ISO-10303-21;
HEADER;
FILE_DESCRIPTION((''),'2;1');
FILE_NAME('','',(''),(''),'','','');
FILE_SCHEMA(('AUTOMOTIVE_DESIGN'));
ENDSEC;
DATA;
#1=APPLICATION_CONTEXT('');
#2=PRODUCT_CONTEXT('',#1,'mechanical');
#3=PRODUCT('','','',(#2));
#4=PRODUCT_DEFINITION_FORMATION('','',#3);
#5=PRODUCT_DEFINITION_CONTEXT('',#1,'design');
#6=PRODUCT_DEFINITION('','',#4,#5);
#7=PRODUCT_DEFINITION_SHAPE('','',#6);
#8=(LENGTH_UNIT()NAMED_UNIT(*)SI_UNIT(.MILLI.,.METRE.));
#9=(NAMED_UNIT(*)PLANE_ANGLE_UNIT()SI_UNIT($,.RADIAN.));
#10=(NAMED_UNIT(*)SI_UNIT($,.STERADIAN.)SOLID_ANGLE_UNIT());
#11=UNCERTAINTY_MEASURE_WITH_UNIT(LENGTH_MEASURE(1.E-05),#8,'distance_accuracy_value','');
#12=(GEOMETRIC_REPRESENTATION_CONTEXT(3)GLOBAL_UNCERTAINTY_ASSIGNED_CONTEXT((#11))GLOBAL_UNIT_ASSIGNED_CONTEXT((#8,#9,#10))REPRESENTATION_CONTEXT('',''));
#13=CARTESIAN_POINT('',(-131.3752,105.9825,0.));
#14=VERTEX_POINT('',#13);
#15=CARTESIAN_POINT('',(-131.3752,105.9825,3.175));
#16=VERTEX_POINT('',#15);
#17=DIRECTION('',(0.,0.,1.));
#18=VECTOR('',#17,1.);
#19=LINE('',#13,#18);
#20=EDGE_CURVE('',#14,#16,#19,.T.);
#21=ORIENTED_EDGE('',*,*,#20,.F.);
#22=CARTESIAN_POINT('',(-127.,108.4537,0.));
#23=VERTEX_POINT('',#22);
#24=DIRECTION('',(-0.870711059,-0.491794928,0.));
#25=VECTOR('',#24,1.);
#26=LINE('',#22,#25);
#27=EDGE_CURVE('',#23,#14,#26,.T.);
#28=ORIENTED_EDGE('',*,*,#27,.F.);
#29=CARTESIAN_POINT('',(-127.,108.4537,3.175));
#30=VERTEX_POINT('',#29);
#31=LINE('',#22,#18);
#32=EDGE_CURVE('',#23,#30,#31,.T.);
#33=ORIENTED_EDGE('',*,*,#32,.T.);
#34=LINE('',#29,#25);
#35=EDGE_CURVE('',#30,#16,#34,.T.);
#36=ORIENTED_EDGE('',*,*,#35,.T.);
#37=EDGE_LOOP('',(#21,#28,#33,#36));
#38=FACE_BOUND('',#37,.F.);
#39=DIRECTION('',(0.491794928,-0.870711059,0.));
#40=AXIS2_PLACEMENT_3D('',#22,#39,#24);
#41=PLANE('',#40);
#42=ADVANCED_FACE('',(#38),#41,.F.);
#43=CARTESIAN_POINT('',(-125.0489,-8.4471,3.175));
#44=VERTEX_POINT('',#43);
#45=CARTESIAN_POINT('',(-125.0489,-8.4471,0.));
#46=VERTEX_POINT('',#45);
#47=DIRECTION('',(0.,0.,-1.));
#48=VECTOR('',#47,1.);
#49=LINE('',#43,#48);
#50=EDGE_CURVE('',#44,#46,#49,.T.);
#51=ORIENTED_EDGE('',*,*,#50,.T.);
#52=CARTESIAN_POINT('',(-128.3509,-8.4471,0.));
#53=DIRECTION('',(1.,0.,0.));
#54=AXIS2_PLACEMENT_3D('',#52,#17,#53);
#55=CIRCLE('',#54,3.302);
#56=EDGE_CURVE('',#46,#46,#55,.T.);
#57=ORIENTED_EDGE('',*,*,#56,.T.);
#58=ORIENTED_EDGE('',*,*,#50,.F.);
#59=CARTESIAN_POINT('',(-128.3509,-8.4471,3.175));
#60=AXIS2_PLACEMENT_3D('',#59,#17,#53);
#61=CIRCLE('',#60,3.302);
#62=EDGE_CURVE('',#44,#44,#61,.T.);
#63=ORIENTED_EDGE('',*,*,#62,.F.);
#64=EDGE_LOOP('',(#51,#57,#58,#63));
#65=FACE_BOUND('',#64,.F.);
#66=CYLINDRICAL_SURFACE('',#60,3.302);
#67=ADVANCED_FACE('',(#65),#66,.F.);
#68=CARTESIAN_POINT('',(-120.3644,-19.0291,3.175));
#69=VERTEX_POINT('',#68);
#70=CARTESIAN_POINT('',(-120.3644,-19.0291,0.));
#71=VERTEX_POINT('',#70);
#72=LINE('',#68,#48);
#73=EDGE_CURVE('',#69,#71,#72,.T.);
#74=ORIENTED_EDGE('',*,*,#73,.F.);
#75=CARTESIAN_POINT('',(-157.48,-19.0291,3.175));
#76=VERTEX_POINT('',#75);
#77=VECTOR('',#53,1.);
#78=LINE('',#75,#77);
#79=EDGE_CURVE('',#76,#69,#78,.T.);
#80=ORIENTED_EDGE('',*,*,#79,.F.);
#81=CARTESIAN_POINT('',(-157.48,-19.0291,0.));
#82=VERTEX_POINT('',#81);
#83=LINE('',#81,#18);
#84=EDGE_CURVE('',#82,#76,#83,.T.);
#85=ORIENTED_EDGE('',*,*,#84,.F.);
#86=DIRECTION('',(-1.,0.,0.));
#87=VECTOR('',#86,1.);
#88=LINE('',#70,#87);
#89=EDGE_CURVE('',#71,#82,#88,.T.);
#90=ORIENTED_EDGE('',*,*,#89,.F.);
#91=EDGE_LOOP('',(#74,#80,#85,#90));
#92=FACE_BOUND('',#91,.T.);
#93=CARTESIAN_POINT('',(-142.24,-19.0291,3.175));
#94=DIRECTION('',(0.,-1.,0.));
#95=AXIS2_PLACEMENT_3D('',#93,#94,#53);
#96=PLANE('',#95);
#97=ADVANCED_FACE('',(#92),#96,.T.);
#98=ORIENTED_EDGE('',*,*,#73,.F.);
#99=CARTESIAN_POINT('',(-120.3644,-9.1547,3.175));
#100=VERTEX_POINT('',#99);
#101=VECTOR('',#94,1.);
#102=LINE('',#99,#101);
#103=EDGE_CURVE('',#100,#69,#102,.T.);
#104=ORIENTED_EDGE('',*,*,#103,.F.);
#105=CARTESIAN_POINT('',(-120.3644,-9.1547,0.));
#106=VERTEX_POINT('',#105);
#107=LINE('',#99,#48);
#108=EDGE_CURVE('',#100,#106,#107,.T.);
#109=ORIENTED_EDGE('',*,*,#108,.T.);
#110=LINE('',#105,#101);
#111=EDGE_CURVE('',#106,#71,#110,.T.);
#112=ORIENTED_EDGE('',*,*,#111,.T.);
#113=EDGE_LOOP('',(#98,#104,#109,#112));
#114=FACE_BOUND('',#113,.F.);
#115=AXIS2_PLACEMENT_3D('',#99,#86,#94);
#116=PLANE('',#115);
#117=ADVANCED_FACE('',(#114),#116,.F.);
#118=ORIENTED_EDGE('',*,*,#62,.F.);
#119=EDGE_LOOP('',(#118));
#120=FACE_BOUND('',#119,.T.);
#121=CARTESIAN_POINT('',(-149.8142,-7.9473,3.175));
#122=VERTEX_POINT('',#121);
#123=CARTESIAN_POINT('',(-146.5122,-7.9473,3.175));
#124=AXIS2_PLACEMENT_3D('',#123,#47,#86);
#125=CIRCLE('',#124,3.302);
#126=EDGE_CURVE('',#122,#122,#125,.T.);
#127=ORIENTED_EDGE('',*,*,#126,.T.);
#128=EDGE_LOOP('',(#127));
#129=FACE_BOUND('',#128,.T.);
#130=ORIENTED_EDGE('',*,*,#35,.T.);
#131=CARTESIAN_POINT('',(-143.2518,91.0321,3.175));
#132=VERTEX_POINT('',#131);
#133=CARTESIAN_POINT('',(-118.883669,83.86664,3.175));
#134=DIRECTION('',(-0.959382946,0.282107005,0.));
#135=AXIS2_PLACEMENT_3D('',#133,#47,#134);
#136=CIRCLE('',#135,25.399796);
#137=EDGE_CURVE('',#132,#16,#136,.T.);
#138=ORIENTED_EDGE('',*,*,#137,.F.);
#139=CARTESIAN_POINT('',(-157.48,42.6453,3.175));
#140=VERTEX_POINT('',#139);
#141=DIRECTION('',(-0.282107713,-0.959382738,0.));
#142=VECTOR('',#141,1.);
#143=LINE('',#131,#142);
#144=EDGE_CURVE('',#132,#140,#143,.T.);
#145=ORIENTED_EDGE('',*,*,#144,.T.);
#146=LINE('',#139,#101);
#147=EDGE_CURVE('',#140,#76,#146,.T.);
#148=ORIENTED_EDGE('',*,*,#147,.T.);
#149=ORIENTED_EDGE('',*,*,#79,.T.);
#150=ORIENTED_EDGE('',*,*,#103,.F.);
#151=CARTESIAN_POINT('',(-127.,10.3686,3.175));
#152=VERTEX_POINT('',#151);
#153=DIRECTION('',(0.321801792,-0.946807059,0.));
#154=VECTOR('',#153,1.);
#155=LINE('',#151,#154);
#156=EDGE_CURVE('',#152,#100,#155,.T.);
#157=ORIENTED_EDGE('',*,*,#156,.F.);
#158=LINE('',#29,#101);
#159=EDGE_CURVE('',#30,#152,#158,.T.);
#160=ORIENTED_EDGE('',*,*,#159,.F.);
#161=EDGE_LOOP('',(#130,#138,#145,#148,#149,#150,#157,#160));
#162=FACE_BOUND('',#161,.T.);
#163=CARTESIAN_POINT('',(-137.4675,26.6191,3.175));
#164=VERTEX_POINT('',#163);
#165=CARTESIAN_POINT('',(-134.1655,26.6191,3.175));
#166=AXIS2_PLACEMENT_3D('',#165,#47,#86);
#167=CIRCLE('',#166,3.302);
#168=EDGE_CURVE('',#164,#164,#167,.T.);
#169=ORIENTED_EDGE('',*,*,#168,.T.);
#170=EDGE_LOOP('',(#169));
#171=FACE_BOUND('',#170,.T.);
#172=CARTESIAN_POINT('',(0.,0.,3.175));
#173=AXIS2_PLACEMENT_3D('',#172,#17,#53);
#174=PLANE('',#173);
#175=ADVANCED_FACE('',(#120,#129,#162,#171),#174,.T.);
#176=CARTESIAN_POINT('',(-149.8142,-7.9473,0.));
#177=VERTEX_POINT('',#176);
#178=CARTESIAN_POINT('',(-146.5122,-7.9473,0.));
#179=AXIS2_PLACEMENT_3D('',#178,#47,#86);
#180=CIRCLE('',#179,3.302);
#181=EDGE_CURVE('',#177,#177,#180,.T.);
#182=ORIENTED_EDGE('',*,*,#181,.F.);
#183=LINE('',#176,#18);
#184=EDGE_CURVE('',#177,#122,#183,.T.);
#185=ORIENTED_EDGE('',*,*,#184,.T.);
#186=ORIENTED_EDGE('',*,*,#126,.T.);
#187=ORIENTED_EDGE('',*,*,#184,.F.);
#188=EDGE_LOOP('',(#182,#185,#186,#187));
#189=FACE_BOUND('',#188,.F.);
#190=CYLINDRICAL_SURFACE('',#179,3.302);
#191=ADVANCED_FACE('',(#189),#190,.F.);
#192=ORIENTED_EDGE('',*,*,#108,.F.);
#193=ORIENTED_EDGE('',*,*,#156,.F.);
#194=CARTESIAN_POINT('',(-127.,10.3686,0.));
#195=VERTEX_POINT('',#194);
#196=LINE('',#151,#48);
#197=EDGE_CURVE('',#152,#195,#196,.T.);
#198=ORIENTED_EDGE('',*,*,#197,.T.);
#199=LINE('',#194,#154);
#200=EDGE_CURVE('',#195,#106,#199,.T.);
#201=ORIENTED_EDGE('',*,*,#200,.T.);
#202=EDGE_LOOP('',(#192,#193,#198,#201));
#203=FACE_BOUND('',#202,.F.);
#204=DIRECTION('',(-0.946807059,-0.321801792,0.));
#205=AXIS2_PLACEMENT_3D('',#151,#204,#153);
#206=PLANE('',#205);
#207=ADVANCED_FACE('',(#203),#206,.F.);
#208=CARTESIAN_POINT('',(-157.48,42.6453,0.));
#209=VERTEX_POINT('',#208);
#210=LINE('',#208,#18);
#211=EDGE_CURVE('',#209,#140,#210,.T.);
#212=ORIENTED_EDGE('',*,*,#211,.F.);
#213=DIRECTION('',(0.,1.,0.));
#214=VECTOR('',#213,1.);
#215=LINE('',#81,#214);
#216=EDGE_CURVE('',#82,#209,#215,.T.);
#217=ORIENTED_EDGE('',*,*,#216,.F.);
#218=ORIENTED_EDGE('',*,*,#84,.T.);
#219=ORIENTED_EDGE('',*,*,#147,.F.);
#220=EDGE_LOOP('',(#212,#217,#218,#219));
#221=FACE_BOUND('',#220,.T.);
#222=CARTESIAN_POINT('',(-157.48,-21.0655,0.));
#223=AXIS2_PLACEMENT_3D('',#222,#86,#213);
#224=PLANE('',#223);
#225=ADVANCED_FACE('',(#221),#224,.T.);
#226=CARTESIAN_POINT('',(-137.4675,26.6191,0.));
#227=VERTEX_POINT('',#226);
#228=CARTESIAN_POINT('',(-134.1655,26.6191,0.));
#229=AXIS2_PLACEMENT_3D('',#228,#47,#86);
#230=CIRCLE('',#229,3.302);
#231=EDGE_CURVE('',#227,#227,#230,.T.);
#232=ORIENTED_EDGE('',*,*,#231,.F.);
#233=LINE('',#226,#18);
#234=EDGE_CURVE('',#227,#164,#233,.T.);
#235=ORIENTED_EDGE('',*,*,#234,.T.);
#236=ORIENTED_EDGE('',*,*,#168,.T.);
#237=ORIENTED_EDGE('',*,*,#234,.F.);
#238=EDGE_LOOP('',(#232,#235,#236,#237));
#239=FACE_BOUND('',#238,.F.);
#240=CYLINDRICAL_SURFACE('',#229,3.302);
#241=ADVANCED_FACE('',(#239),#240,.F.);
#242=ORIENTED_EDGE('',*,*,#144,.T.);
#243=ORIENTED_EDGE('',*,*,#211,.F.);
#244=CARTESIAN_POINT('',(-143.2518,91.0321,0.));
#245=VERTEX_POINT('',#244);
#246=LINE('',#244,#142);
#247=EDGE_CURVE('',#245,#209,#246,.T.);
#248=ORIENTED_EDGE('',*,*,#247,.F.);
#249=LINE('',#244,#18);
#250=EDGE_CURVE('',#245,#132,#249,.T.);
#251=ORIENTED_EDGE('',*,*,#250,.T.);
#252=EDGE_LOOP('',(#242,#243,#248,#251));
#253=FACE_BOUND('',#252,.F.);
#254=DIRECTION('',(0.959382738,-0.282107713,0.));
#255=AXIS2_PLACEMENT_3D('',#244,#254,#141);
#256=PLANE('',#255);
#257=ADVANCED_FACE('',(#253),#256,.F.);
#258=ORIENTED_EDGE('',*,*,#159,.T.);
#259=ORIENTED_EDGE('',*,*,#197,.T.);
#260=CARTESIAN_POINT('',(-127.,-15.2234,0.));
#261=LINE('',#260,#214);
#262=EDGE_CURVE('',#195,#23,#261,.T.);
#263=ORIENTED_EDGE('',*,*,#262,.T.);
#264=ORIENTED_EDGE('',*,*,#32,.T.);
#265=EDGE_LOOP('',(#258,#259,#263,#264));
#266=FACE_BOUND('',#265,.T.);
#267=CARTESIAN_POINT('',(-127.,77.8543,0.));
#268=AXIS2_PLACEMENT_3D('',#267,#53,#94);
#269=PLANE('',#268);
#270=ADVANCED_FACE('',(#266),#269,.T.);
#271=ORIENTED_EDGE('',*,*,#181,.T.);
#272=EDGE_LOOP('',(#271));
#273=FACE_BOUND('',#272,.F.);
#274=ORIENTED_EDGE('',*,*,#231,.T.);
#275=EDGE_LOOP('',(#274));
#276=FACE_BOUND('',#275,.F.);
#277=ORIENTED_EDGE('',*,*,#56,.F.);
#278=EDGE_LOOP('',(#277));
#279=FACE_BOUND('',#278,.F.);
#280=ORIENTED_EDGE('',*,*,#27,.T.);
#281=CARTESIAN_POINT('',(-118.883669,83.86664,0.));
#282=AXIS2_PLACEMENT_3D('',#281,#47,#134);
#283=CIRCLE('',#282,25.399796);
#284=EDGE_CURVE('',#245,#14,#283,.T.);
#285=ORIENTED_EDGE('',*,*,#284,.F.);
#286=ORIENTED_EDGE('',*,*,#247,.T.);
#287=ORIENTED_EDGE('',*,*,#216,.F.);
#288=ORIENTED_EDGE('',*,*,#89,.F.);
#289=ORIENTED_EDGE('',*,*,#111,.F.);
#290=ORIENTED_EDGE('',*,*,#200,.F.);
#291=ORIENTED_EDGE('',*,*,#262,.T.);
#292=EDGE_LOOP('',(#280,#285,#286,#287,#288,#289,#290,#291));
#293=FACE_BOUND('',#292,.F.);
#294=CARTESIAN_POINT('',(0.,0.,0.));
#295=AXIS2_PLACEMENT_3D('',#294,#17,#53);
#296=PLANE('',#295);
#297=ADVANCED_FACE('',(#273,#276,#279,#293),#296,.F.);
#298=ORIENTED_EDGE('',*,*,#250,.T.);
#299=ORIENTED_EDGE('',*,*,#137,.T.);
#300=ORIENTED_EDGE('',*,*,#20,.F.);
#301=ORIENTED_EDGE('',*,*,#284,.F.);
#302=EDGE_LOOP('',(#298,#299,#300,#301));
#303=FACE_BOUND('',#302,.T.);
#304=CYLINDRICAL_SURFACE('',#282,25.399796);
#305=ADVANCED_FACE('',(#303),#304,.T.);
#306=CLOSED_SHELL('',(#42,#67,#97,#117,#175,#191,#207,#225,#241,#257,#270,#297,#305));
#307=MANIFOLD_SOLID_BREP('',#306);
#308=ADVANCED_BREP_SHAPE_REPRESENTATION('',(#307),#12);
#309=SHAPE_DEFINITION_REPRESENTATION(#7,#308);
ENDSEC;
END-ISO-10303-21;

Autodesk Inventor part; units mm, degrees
ref_plane "YZ Plane" through (0, 0, 0) normal (1, 0, 0) x (0, 1, 0)
ref_plane "XZ Plane" through (0, 0, 0) normal (0, 1, 0) x (-1, 0, 0)
ref_plane "XY Plane" through (0, 0, 0) normal (0, 0, 1) x (1, 0, 0)
sketch "Sketch1" plane through (0, 0, 0) normal (0, 0, 1) x (1, 0, 0)
  line L0 (-114.3, 77.8543) -> (-127, 77.8543)
  line L1 (-127, 77.8543) -> (-163.2323, 36.0005)
  arc A0 (-163.2323, 36.0005) -> (-215.9, -105.3078) centre (0, -105.3078) ccw
  line L2 (-152.4, -105.3078) -> (-215.9, -105.3078)
  arc A1 (152.4, -105.3078) -> (-152.4, -105.3078) centre (0, -105.3078) ccw
  line L3 (215.9, -105.3078) -> (152.4, -105.3078)
  arc A2 (215.9, -105.3078) -> (163.2323, 36.0005) centre (0, -105.3078) ccw
  line L4 (163.2323, 36.0005) -> (127, 77.8543)
  line L5 (127, 77.8543) -> (114.3, 77.8543)
  line L6 (114.3, 77.8543) -> (114.3, 90.5543)
  line L7 (114.3, 90.5543) -> (46.5518, 105.5138)
  arc A3 (46.5518, 105.5138) -> (-46.5518, 105.5138) centre (0, -105.3078) ccw
  line L8 (-46.5518, 105.5138) -> (-114.3, 90.5543)
  line L9 (-114.3, 90.5543) -> (-114.3, 77.8543)
  circle A4 centre (-174.6359, -42.9949) radius 3.302
  circle A5 centre (-181.5133, -67.4461) radius 3.302
  circle A6 centre (-184.9846, -92.6078) radius 3.302
  circle A7 centre (-12.7, 63.1241) radius 3.302
  circle A8 centre (-37.8617, 76.2055) radius 3.302
  circle A9 centre (-62.0706, 51.784) radius 3.302
  circle A10 centre (12.7, 63.1241) radius 3.302
  circle A11 centre (62.0706, 51.784) radius 3.302
  circle A12 centre (62.3129, 69.3281) radius 3.302
  circle A13 centre (174.6359, -42.9949) radius 3.302
  circle A14 centre (164.6231, -67.4949) radius 3.302
  circle A15 centre (181.5133, -67.4461) radius 3.302
  circle A16 centre (184.9846, -92.6078) radius 3.302
  circle A17 centre (168.4319, -92.6078) radius 3.302
  circle A18 centre (157.0918, -43.2372) radius 3.302
  circle A19 centre (37.8617, 76.2055) radius 3.302
  circle A20 centre (37.8128, 59.3154) radius 3.302
  circle A21 centre (12.7, 79.6768) radius 3.302
  circle A22 centre (-62.3129, 69.3281) radius 3.302
  circle A23 centre (-37.8128, 59.3154) radius 3.302
  circle A24 centre (-12.7, 79.6768) radius 3.302
  circle A25 centre (-168.4319, -92.6078) radius 3.302
  circle A26 centre (-164.6231, -67.4949) radius 3.302
  circle A27 centre (-157.0918, -43.2372) radius 3.302
  line L10 (-127, 143.7166) -> (-127, -105.3078)
  line L11 (-127, -21.0655) -> (-127, 108.4537)
  line L12 (-142.24, -21.0655) -> (-142.24, 38.6612) construction
  circle A28 centre (-142.24, -7.2274) radius 3.302
  circle A29 centre (-142.24, 18.1726) radius 3.302
  line L13 (-157.48, -21.0655) -> (-157.48, 42.6453)
  line L14 (-127, -21.0655) -> (-157.48, -21.0655)
  line L15 (-127, 108.4537) -> (-131.3752, 105.9825)
  line L16 (-143.2518, 91.0321) -> (-157.48, 42.6453)
  arc A30 (-131.3752, 105.9825) -> (-143.2518, 91.0321) centre (-118.8834, 83.8665) ccw
  circle A31 centre (142.24, 14.8706) radius 3.302
  circle A32 centre (-142.24, 14.8706) radius 3.302
  circle A33 centre (-142.24, -10.5294) radius 3.302
  circle A34 centre (142.24, -10.5294) radius 3.302
  point P0 (0, 0)
  dimension "d1" = 6.604
  dimension "d2" = 6.604
  dimension "d3" = 25.4
  dimension "d6" = 15.24
  dimension "d7" = 15.24
  dimension "d8" = 25.4
extrude "Extrusion1" add sketch "Sketch1" along normal blind 3.175 contours L10 L14 L13 L1 | L1 L16 A30 L15 L10 | A28 A33 | A29 A32 picked at (-142.4059, -12.7065) picked at (-142.4059, 12.6935)
sketch "Sketch2" plane through (0, 0, 0) normal (0, 0, -1) x (-1, 0, 0)
  line L0 (127, -21.0655) -> (127, 108.4537)
  line L1 (157.48, 42.6453) -> (157.48, -21.0655)
  line L2 (127, -21.0655) -> (157.48, -21.0655)
  line L3 (157.48, -21.0655) -> (157.48, -15.2234)
  line L4 (157.48, -15.2234) -> (127, -15.2234)
  line L5 (127, -15.2234) -> (127, -21.0655)
  point P0 (0, 0)
extrude "Extrusion2" cut sketch "Sketch2" against normal blind 25.4
sketch "Sketch3" plane through (0, 0, 0) normal (0, 0, -1) x (-1, 0, 0)
  line L0 (127, -15.2234) -> (157.48, -15.2234)
  line L1 (157.48, 42.6453) -> (157.48, -15.2234)
  line L2 (143.2518, 91.0321) -> (157.48, 42.6453)
  arc A0 (143.2518, 91.0321) -> (131.3752, 105.9825) centre (118.8834, 83.8665) ccw
  line L3 (127, 108.4537) -> (131.3752, 105.9825)
  line L4 (127, -15.2234) -> (127, 108.4537)
  circle A1 centre (142.24, 18.1726) radius 3.302
  circle A2 centre (142.24, -7.2274) radius 3.302
  circle A3 centre (128.3509, -8.4471) radius 3.302
  line L5 (157.48, 42.6453) -> (157.48, -15.2234)
  line L6 (157.48, -15.2234) -> (127, -15.2234)
  line L7 (127, -15.2234) -> (127, -19.0291)
  line L8 (127, -19.0291) -> (157.48, -19.0291)
  line L9 (157.48, -19.0291) -> (157.48, -15.2234)
  circle A4 centre (25.4, 77.2006) radius 3.302
  circle A5 centre (50.4225, 72.8376) radius 3.302
  circle A6 centre (73.8239, 46.08) radius 3.302
  circle A7 centre (159.4716, -56.8709) radius 3.302
  circle A8 centre (155.1086, -31.8485) radius 3.302
  circle A9 centre (146.5122, -7.9473) radius 3.302
  circle A10 centre (137.9833, -107.1921) radius 3.302
  circle A11 centre (159.4716, -82.2709) radius 3.302
  circle A12 centre (146.5122, -131.1945) radius 3.302
  circle A13 centre (74.3236, -203.3832) radius 3.302
  circle A14 centre (25.4, -199.763) radius 3.302
  circle A15 centre (25.4, -216.3425) radius 3.302
  circle A16 centre (50.4225, -211.9795) radius 3.302
  circle A17 centre (50.3212, -194.8542) radius 3.302
  circle A18 centre (73.8239, -185.2218) radius 3.302
  circle A19 centre (155.1086, -107.2934) radius 3.302
  circle A20 centre (142.892, -82.2709) radius 3.302
  circle A21 centre (128.3509, -130.6948) radius 3.302
  circle A22 centre (128.3509, -8.4471) radius 3.302
  circle A23 centre (137.9833, -31.9498) radius 3.302
  circle A24 centre (142.892, -56.8709) radius 3.302
  circle A25 centre (74.3236, 64.2413) radius 3.302
  circle A26 centre (50.3212, 55.7124) radius 3.302
  circle A27 centre (25.4, 60.6211) radius 3.302
  arc A28 (12.7, -234.6709) -> (12.7, 95.5291) centre (12.7, -69.5709) ccw
  line L10 (12.7, 95.5291) -> (12.7, 44.7291)
  arc A29 (12.7, -183.8709) -> (12.7, 44.7291) centre (12.7, -69.5709) ccw
  line L11 (12.7, -183.8709) -> (12.7, -234.6709)
  line L12 (142.24, -19.0291) -> (127, 3.43)
  point P0 (0, 0)
extrude "Extrusion4" add sketch "Sketch3" against normal blind 3.175 contours L12 L4 A28 L1 L0 | L0 L9 L8 L12 | A28 L4 L3 A0 L2 L1 | A1 | A2 A9 | A9 A2 picked at (144.0113, -7.5677) picked at (141.8341, -7.293)
sketch "Sketch4" plane through (0, 0, 0) normal (0, 0, -1) x (-1, 0, 0)
  circle A0 centre (25.4, 77.2006) radius 3.302
  circle A1 centre (50.4225, 72.8376) radius 3.302
  circle A2 centre (73.8239, 46.08) radius 3.302
  circle A3 centre (159.4716, -56.8709) radius 3.302
  circle A4 centre (155.1086, -31.8485) radius 3.302
  circle A5 centre (146.5122, -7.9473) radius 3.302
  circle A6 centre (137.9833, -107.1921) radius 3.302
  circle A7 centre (159.4716, -82.2709) radius 3.302
  circle A8 centre (146.5122, -131.1945) radius 3.302
  circle A9 centre (74.3236, -203.3832) radius 3.302
  circle A10 centre (25.4, -199.763) radius 3.302
  circle A11 centre (25.4, -216.3425) radius 3.302
  circle A12 centre (50.4225, -211.9795) radius 3.302
  circle A13 centre (50.3212, -194.8542) radius 3.302
  circle A14 centre (73.8239, -185.2218) radius 3.302
  circle A15 centre (155.1086, -107.2934) radius 3.302
  circle A16 centre (142.892, -82.2709) radius 3.302
  circle A17 centre (128.3509, -130.6948) radius 3.302
  circle A18 centre (128.3509, -8.4471) radius 3.302
  circle A19 centre (137.9833, -31.9498) radius 3.302
  circle A20 centre (142.892, -56.8709) radius 3.302
  circle A21 centre (74.3236, 64.2413) radius 3.302
  circle A22 centre (50.3212, 55.7124) radius 3.302
  circle A23 centre (25.4, 60.6211) radius 3.302
  arc A24 (12.7, -234.6709) -> (12.7, 95.5291) centre (12.7, -69.5709) ccw
  line L0 (12.7, 95.5291) -> (12.7, 44.7291)
  arc A25 (12.7, -183.8709) -> (12.7, 44.7291) centre (12.7, -69.5709) ccw
  line L1 (12.7, -183.8709) -> (12.7, -234.6709)
  line L2 (127, -15.2234) -> (127, 108.4537)
  line L3 (127, -15.2234) -> (139.6576, -15.2234)
  line L4 (139.6576, -15.2234) -> (142.24, -19.0291)
  line L5 (142.24, -19.0291) -> (157.48, -19.0291)
  line L6 (157.48, 42.6453) -> (157.48, -19.0291)
  line L7 (143.2518, 91.0321) -> (157.48, 42.6453)
  arc A26 (143.2518, 91.0321) -> (131.3752, 105.9825) centre (118.8834, 83.8665) ccw
  line L8 (127, 108.4537) -> (131.3752, 105.9825)
  line L9 (127, -15.2234) -> (139.6576, -15.2234)
  line L10 (142.24, -19.0291) -> (139.6576, -15.2234)
  line L11 (142.24, -19.0291) -> (127, 8.7406)
  line L12 (127, -15.2234) -> (127, 108.4537)
  line L13 (142.24, -19.0291) -> (123.8625, -20.0167)
  line L14 (123.8625, -20.0167) -> (123.8625, 8.7406)
  line L15 (123.8625, 8.7406) -> (127, 8.7406)
  circle A27 centre (12.7, -69.5709) radius 147.32
  circle A28 centre (134.1655, 26.6191) radius 3.302
  point P0 (0, 0)
  dimension "d17" = 6.604
  dimension "d18" = 154.94
extrude "Extrusion5" cut sketch "Sketch4" against normal blind 6.604 contours L11 L4 L3 L2 A18 | A18 L2 | A28 picked at (128.551, -8.4471)
sketch "Sketch5" plane through (0, 0, 0) normal (0, 0, -1) x (-1, 0, 0)
  circle A0 centre (25.4, 77.2006) radius 3.302
  circle A1 centre (50.4225, 72.8376) radius 3.302
  circle A2 centre (73.8239, 46.08) radius 3.302
  circle A3 centre (159.4716, -56.8709) radius 3.302
  circle A4 centre (155.1086, -31.8485) radius 3.302
  circle A5 centre (146.5122, -7.9473) radius 3.302
  circle A6 centre (137.9833, -107.1921) radius 3.302
  circle A7 centre (159.4716, -82.2709) radius 3.302
  circle A8 centre (146.5122, -131.1945) radius 3.302
  circle A9 centre (74.3236, -203.3832) radius 3.302
  circle A10 centre (25.4, -199.763) radius 3.302
  circle A11 centre (25.4, -216.3425) radius 3.302
  circle A12 centre (50.4225, -211.9795) radius 3.302
  circle A13 centre (50.3212, -194.8542) radius 3.302
  circle A14 centre (73.8239, -185.2218) radius 3.302
  circle A15 centre (155.1086, -107.2934) radius 3.302
  circle A16 centre (142.892, -82.2709) radius 3.302
  circle A17 centre (128.3509, -130.6948) radius 3.302
  circle A18 centre (128.3509, -8.4471) radius 3.302
  circle A19 centre (137.9833, -31.9498) radius 3.302
  circle A20 centre (142.892, -56.8709) radius 3.302
  circle A21 centre (74.3236, 64.2413) radius 3.302
  circle A22 centre (50.3212, 55.7124) radius 3.302
  circle A23 centre (25.4, 60.6211) radius 3.302
  arc A24 (12.7, -234.6709) -> (12.7, 95.5291) centre (12.7, -69.5709) ccw
  line L0 (12.7, 95.5291) -> (12.7, 44.7291)
  arc A25 (12.7, -183.8709) -> (12.7, 44.7291) centre (12.7, -69.5709) ccw
  line L1 (12.7, -183.8709) -> (12.7, -234.6709)
  point P0 (0, 0)
extrude "Extrusion6" cut sketch "Sketch5" against normal blind 6.604 contours A5
fillet "Fillet1" radius 6.35 1 edges at (-127, 8.7406, 1.5875)
sketch "Sketch6" plane through (0, 0, 3.175) normal (0, 0, 1) x (1, 0, 0)
  circle A0 centre (-128.3509, -8.4471) radius 3.302
  arc A1 (-127.7832, 7.3135) -> (-127, 10.3686) centre (-133.35, 10.3686) ccw
  line L0 (-127, 10.3686) -> (-127, 108.4537)
  line L1 (-127, 108.4537) -> (-131.3752, 105.9825)
  arc A2 (-131.3752, 105.9825) -> (-143.2518, 91.0321) centre (-118.8834, 83.8665) ccw
  line L2 (-143.2518, 91.0321) -> (-157.48, 42.6453)
  line L3 (-157.48, 42.6453) -> (-157.48, -19.0291)
  line L4 (-157.48, -19.0291) -> (-142.24, -19.0291)
  line L5 (-142.24, -19.0291) -> (-127.7832, 7.3135)
  circle A3 centre (-146.5122, -7.9473) radius 3.302
  circle A4 centre (-134.1655, 26.6191) radius 3.302
  line L6 (-127.7832, 7.3135) -> (-142.24, -19.0291)
  line L7 (-142.24, -19.0291) -> (-120.3644, -19.0291)
  line L8 (-127, 10.3686) -> (-127, 108.4537)
  line L9 (-127, 10.3686) -> (-120.3644, -9.1547)
  line L10 (-120.3644, -9.1547) -> (-120.3644, -19.0291)
  line L11 (-142.24, -19.0291) -> (-127, 10.3686)
  point P0 (0, 0)
extrude "Extrusion7" add sketch "Sketch6" against normal blind 3.175 contours A1 L9 L10 L7 L5
equation "\"d19\" = d17"
equation "\"d21\" = d17"
properties part number "13in coil holder plate" material "PVC-Piping"
